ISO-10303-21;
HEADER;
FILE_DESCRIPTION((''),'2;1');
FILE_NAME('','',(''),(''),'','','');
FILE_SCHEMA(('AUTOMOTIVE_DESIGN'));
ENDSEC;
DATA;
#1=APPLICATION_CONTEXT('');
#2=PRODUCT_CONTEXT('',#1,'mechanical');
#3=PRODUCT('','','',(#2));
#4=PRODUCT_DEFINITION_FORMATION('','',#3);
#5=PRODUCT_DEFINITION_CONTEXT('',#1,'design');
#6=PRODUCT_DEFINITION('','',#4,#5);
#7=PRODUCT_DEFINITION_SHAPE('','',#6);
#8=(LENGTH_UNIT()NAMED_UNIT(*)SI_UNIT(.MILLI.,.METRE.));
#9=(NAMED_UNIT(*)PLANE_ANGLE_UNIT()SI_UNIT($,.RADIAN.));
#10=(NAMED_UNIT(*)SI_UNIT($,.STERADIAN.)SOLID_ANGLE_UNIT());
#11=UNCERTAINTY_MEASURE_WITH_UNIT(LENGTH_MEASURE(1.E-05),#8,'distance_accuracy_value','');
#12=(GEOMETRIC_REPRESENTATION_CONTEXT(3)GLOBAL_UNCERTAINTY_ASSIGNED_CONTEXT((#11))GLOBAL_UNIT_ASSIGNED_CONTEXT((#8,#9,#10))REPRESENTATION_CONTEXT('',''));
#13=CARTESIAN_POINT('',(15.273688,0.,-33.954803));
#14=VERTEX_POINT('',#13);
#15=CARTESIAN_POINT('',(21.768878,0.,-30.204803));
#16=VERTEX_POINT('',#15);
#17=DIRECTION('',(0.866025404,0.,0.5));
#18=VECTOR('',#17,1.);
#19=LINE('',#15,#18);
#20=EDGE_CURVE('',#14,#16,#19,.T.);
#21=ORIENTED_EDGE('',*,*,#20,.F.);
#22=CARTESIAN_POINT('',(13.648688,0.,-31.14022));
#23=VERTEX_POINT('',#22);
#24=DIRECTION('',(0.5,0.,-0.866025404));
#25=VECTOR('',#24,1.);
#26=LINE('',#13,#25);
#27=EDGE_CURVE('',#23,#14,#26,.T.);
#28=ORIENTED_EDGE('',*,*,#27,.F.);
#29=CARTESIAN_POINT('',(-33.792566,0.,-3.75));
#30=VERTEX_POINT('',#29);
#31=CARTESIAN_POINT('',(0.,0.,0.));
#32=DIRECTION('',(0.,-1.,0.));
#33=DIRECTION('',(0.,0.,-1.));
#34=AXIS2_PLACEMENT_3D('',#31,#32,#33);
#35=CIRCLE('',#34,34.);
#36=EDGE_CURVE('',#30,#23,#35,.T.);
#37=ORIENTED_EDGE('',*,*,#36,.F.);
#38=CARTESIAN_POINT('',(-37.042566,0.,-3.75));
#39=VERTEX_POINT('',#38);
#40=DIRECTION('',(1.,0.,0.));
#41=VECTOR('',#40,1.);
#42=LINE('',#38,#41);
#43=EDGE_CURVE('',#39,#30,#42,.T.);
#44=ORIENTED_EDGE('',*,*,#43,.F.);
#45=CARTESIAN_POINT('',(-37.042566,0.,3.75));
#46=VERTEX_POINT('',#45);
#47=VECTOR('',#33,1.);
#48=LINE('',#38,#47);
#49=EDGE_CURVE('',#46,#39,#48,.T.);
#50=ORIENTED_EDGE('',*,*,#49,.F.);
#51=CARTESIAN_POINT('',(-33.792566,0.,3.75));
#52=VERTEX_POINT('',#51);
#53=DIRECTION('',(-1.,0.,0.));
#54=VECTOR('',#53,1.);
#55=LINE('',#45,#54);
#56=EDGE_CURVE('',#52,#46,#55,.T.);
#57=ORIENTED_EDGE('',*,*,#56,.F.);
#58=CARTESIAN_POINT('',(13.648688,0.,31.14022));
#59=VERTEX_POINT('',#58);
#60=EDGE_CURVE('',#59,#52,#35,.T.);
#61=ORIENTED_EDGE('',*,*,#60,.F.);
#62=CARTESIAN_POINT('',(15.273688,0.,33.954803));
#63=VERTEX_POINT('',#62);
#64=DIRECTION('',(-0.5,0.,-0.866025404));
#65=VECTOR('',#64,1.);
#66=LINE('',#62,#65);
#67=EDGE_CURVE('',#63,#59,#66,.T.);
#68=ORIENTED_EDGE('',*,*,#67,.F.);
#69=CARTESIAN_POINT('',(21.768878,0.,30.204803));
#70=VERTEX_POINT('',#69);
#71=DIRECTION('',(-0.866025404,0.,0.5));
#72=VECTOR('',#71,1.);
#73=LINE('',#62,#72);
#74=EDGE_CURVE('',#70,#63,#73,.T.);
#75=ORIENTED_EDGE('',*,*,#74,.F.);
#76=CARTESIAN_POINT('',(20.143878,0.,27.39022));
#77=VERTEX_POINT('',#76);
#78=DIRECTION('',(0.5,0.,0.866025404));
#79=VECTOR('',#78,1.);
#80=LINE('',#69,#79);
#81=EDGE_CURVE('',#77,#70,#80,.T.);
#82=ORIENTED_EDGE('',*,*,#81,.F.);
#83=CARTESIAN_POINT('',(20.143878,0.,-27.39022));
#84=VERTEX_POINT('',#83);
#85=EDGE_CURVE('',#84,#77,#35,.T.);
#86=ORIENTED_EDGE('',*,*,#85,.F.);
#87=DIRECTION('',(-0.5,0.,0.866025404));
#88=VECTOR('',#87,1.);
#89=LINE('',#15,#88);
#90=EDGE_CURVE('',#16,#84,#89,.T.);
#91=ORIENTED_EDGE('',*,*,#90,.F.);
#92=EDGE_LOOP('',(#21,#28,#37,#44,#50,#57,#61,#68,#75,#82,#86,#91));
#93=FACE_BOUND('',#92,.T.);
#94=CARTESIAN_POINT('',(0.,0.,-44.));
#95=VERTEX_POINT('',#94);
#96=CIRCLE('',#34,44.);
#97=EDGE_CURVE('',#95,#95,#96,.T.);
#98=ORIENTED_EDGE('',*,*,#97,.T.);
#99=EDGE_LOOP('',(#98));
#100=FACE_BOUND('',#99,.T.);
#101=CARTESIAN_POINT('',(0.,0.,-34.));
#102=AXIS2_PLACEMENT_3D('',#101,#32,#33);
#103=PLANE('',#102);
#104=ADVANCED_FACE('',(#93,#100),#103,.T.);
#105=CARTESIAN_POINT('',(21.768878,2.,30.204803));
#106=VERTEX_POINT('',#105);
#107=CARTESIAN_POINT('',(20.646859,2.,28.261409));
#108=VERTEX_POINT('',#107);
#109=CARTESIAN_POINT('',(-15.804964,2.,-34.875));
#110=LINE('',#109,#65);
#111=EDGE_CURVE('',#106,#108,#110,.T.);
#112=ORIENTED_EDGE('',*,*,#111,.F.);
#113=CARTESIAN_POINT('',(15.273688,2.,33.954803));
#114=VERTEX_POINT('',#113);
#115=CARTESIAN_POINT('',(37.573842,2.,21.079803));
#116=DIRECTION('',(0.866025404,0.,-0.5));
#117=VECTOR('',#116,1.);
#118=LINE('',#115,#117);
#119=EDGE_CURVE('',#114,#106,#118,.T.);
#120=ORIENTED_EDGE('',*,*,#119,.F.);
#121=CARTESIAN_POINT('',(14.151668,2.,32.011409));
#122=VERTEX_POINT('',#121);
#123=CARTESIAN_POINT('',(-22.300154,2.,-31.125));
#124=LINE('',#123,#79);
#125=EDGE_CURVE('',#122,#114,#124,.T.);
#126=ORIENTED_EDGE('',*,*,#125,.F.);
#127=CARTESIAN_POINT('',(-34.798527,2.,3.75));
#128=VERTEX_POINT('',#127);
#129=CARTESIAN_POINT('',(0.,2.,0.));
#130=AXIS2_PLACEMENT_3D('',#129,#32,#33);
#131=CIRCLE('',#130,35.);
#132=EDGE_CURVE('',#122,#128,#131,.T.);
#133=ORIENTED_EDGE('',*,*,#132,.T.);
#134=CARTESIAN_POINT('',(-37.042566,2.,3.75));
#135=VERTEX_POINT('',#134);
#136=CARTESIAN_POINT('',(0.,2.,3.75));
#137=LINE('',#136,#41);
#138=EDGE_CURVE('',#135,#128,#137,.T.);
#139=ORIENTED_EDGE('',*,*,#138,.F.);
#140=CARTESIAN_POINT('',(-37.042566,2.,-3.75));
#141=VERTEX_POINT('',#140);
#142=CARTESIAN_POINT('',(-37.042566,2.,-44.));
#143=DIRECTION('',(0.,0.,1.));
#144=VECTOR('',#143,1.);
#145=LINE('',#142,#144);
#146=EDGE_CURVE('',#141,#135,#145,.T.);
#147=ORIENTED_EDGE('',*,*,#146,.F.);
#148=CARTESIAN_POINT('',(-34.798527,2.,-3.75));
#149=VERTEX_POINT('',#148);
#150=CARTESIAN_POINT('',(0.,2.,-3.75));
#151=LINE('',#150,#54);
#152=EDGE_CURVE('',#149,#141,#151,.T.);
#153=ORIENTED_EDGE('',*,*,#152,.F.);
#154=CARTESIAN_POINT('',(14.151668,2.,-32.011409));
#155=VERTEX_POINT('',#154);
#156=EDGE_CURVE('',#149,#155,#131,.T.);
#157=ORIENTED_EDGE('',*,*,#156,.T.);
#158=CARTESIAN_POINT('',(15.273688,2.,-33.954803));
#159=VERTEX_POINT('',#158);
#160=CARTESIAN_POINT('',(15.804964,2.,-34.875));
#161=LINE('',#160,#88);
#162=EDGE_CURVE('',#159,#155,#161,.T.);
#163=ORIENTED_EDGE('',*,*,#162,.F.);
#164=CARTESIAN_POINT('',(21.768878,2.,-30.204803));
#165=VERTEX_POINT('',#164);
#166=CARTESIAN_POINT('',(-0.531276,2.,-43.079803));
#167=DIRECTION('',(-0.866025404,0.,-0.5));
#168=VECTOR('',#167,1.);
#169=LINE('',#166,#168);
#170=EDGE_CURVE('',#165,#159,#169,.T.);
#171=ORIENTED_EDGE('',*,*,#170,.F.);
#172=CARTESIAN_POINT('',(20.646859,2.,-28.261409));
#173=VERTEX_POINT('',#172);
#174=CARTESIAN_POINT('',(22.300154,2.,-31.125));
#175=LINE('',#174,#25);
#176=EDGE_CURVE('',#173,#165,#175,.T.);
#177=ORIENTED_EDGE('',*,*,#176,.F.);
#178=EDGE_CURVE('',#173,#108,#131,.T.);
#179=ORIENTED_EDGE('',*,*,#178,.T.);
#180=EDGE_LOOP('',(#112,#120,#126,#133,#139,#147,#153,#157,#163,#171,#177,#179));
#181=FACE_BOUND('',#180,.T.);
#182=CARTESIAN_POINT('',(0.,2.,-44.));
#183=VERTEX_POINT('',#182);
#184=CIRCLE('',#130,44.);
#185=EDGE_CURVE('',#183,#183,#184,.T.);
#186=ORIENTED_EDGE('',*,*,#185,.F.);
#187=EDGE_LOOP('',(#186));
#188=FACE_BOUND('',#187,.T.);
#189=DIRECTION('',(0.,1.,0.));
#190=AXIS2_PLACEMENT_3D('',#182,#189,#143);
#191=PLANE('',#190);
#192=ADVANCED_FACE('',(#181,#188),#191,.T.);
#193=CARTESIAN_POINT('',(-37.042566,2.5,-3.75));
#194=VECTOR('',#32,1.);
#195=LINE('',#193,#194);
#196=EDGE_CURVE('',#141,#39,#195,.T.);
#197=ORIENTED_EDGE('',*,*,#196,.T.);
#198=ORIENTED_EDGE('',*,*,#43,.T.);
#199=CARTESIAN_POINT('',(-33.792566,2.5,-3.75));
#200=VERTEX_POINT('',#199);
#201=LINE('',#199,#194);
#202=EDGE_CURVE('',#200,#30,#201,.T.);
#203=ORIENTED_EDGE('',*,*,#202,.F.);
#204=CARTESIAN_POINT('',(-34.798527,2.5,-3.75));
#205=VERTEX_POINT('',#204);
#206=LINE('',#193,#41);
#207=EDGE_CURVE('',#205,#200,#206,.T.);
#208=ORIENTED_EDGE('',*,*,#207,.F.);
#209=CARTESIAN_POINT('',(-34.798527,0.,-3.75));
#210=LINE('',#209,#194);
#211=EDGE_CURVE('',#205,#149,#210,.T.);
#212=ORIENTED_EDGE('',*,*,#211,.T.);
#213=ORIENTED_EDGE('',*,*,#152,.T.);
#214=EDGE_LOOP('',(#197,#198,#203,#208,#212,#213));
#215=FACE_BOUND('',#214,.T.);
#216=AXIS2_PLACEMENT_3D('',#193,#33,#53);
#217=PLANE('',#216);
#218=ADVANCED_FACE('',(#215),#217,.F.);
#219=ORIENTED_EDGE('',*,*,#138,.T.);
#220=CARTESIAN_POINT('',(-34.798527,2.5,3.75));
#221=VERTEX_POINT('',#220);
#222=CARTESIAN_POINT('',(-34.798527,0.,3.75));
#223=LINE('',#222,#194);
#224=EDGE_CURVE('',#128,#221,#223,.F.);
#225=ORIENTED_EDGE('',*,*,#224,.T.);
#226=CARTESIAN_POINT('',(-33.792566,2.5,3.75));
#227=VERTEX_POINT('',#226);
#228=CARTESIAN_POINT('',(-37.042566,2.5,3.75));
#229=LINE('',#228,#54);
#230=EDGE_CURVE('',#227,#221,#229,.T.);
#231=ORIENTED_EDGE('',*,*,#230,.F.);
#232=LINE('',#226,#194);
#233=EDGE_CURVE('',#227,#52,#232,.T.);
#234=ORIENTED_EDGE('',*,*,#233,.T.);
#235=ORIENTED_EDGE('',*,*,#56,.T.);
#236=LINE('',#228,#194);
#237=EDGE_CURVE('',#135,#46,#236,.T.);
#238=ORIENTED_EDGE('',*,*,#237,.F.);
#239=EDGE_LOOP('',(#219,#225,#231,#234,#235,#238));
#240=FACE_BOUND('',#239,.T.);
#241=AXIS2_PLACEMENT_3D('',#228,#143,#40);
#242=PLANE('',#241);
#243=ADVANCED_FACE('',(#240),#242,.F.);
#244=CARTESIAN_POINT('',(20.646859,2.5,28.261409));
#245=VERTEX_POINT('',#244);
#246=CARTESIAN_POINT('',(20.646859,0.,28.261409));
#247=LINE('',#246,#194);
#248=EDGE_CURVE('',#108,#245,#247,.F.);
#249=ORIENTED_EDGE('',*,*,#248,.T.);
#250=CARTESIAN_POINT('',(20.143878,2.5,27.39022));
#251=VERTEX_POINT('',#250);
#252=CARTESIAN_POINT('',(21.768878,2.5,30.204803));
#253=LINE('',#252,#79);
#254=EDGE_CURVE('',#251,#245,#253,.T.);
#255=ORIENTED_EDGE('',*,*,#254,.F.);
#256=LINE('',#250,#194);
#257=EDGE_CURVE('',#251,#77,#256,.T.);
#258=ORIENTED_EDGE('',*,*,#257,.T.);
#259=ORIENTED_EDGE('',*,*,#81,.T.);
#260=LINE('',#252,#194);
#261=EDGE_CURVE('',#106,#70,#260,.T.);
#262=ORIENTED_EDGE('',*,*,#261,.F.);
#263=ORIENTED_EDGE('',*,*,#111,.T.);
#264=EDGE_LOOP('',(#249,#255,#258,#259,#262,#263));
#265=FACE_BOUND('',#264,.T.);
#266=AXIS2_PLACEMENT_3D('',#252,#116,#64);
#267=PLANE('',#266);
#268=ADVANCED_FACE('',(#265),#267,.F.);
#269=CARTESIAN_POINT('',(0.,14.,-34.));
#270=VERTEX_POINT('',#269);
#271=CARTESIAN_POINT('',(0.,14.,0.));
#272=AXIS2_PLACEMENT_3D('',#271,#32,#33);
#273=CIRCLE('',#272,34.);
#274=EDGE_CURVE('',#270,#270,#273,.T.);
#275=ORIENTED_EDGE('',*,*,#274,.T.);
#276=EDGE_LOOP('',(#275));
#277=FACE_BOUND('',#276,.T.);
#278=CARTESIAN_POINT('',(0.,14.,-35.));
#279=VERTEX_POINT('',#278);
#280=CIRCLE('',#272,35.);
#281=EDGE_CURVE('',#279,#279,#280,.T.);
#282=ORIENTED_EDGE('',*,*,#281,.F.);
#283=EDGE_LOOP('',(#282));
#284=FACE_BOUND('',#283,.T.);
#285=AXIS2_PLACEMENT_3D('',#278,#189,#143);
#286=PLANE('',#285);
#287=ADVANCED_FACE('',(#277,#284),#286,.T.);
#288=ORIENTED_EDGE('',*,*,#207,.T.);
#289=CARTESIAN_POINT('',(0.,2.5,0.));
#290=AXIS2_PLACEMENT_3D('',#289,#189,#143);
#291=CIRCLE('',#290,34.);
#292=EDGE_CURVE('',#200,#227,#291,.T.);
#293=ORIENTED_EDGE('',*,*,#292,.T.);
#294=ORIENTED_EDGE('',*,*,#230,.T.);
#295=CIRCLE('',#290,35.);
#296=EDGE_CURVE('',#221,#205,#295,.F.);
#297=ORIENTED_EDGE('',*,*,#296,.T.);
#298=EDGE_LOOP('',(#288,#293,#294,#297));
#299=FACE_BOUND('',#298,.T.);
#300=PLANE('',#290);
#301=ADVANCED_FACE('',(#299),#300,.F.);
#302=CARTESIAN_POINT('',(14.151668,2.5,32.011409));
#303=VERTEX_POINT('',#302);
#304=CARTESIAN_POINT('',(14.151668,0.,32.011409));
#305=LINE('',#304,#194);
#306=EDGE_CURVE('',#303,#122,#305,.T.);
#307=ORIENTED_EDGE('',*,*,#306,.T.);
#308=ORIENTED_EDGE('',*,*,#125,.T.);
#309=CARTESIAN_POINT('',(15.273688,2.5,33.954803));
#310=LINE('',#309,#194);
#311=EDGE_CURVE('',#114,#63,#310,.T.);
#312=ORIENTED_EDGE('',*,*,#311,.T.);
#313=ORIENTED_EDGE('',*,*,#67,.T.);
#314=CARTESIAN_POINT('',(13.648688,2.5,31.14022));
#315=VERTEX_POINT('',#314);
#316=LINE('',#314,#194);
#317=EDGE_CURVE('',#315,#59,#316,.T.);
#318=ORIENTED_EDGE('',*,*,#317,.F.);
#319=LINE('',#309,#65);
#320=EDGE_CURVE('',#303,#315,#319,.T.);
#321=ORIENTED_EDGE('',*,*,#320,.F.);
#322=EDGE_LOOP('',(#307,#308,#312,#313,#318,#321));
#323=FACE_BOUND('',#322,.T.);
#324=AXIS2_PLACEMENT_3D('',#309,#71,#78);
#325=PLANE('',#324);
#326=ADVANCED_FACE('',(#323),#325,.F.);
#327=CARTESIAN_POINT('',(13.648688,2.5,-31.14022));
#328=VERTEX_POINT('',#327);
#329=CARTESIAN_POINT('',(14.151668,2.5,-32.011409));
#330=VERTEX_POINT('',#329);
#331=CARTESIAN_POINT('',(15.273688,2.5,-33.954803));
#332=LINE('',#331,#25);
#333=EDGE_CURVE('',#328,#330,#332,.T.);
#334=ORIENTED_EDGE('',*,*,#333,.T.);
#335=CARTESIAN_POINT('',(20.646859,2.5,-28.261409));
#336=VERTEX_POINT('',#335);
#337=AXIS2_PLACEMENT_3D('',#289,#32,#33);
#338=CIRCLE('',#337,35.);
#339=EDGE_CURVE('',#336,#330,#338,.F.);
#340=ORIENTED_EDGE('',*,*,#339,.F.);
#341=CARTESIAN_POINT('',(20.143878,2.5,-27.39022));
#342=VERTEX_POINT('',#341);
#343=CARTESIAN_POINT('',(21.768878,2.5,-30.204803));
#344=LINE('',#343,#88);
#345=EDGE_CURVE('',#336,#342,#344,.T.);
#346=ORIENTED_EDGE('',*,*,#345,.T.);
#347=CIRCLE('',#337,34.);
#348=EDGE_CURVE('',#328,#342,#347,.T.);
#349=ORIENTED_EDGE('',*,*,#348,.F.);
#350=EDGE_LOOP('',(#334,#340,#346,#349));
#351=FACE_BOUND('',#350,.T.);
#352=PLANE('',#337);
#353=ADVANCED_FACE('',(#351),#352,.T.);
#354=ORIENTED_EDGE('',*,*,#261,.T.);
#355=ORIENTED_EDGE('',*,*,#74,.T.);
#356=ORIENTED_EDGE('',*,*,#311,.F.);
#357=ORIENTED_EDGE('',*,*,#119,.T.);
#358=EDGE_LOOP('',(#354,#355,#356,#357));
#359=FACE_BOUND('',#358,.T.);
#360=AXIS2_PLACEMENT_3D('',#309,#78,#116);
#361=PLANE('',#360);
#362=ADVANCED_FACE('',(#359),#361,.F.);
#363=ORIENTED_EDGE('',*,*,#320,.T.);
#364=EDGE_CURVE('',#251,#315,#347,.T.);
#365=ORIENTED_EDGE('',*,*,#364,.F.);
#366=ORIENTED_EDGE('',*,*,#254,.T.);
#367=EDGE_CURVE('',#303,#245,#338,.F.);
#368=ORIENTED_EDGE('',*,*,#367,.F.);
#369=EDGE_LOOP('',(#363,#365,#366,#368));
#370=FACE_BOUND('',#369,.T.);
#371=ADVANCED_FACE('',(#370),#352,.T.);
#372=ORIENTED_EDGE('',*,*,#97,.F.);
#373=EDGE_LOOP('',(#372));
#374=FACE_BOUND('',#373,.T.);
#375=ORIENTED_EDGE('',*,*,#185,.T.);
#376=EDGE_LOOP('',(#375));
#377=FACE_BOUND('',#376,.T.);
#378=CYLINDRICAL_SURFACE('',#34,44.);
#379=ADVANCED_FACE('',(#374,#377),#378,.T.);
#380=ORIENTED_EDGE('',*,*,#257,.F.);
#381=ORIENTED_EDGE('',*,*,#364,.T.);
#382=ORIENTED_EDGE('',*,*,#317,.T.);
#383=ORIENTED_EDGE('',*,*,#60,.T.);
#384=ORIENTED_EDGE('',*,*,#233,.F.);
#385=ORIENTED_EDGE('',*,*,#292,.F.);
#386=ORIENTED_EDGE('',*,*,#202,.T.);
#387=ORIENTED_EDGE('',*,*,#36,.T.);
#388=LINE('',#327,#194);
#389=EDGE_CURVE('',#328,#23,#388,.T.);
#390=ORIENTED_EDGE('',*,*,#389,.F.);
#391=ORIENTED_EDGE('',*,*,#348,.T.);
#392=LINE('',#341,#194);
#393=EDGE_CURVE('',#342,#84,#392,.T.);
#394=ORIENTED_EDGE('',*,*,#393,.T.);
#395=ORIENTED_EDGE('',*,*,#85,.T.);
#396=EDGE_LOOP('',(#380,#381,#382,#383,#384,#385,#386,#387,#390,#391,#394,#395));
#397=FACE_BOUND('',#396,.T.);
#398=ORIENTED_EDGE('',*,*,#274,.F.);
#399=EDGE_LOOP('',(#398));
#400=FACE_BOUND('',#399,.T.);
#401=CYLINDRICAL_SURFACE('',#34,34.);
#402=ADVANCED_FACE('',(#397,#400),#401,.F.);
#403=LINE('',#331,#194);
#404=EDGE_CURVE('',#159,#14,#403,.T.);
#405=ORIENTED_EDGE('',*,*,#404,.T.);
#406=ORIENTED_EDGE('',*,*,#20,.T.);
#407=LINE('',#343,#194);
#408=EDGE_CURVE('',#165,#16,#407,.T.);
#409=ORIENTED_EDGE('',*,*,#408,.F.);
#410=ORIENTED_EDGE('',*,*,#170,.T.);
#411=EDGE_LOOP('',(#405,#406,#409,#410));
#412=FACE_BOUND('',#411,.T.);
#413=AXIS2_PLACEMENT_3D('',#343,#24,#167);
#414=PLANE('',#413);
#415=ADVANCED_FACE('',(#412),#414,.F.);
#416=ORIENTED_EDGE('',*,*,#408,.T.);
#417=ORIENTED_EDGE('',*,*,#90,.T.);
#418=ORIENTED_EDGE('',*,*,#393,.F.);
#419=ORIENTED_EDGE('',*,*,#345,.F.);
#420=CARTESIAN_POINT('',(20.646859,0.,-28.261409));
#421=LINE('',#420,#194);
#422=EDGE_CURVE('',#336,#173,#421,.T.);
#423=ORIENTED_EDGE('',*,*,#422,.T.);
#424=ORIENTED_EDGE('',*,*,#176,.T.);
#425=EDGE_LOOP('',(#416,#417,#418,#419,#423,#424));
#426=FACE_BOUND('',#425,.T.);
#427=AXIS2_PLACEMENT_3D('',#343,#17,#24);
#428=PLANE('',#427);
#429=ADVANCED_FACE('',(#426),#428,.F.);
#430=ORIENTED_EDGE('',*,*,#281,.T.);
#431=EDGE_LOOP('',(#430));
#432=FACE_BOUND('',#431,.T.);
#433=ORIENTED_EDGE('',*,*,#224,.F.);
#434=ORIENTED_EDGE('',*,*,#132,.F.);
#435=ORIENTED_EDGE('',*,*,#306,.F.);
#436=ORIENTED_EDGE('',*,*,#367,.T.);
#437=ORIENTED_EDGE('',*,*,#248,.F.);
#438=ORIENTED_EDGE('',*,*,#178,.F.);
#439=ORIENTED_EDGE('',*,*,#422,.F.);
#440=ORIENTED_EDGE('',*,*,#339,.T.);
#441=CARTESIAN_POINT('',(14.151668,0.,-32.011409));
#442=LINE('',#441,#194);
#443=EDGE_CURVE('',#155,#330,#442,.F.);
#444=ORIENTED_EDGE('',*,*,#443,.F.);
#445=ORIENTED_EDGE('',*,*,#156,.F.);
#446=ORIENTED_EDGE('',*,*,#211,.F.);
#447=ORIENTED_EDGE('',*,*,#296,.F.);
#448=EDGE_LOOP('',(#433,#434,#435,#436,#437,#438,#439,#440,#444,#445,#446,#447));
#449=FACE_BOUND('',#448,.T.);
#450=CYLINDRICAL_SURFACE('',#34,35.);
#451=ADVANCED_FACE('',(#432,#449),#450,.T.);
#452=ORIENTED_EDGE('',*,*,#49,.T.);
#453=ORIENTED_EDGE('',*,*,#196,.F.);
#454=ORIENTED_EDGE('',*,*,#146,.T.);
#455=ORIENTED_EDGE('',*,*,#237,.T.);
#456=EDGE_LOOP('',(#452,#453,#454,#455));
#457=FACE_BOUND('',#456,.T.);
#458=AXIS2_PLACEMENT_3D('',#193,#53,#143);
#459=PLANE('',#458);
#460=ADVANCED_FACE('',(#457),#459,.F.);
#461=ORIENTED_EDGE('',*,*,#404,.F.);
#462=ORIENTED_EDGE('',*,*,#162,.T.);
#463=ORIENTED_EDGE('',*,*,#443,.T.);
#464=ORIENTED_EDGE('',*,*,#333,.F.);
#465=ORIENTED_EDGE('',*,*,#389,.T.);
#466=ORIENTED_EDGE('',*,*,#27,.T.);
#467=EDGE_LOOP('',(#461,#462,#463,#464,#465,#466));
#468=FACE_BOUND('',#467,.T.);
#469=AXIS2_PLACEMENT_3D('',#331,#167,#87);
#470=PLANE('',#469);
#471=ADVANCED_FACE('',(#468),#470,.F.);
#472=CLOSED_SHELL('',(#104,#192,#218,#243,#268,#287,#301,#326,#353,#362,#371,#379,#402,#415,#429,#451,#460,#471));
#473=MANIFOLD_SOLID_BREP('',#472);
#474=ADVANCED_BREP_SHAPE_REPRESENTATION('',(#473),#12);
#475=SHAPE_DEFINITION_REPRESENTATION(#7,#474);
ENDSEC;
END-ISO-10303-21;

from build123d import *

# Parameters (mm, degrees)
SKETCH5_W          = 3.25
SKETCH5_H          = 7.5
CUT_EXTRUDE1_DEPTH = 2.5


with BuildPart() as part:
    # Sketch2 → Revolve1 (revolve)
    with BuildSketch(Plane(origin=(0, 0, 0), x_dir=(0, 0, -1), z_dir=(1, 0, 0))):
        Polygon((34, 0), (44, 0), (44, 2), (35, 2), (35, 14), (34, 14), align=None)
    revolve(axis=Axis((0, 0, 0), (0, 1, 0)))

    # Sketch5 → Cut-Extrude1 (cut)
    with BuildSketch(Plane(origin=(0, 0, 0), x_dir=(-1, 0, 0), z_dir=(0, -1, 0))):
        Polygon((-15.273687611, -33.954802961), (-21.768878139, -30.204802961), (-20.143878139, -27.390220399), (-13.648687611, -31.140220399), align=None)
        with Locations((35.41756575, 0)):
            Rectangle(SKETCH5_W, SKETCH5_H)
        Polygon((-21.768878139, 30.204802961), (-15.273687611, 33.954802961), (-13.648687611, 31.140220399), (-20.143878139, 27.390220399), align=None)
    extrude(amount=-CUT_EXTRUDE1_DEPTH, mode=Mode.SUBTRACT)


solid = part.part
